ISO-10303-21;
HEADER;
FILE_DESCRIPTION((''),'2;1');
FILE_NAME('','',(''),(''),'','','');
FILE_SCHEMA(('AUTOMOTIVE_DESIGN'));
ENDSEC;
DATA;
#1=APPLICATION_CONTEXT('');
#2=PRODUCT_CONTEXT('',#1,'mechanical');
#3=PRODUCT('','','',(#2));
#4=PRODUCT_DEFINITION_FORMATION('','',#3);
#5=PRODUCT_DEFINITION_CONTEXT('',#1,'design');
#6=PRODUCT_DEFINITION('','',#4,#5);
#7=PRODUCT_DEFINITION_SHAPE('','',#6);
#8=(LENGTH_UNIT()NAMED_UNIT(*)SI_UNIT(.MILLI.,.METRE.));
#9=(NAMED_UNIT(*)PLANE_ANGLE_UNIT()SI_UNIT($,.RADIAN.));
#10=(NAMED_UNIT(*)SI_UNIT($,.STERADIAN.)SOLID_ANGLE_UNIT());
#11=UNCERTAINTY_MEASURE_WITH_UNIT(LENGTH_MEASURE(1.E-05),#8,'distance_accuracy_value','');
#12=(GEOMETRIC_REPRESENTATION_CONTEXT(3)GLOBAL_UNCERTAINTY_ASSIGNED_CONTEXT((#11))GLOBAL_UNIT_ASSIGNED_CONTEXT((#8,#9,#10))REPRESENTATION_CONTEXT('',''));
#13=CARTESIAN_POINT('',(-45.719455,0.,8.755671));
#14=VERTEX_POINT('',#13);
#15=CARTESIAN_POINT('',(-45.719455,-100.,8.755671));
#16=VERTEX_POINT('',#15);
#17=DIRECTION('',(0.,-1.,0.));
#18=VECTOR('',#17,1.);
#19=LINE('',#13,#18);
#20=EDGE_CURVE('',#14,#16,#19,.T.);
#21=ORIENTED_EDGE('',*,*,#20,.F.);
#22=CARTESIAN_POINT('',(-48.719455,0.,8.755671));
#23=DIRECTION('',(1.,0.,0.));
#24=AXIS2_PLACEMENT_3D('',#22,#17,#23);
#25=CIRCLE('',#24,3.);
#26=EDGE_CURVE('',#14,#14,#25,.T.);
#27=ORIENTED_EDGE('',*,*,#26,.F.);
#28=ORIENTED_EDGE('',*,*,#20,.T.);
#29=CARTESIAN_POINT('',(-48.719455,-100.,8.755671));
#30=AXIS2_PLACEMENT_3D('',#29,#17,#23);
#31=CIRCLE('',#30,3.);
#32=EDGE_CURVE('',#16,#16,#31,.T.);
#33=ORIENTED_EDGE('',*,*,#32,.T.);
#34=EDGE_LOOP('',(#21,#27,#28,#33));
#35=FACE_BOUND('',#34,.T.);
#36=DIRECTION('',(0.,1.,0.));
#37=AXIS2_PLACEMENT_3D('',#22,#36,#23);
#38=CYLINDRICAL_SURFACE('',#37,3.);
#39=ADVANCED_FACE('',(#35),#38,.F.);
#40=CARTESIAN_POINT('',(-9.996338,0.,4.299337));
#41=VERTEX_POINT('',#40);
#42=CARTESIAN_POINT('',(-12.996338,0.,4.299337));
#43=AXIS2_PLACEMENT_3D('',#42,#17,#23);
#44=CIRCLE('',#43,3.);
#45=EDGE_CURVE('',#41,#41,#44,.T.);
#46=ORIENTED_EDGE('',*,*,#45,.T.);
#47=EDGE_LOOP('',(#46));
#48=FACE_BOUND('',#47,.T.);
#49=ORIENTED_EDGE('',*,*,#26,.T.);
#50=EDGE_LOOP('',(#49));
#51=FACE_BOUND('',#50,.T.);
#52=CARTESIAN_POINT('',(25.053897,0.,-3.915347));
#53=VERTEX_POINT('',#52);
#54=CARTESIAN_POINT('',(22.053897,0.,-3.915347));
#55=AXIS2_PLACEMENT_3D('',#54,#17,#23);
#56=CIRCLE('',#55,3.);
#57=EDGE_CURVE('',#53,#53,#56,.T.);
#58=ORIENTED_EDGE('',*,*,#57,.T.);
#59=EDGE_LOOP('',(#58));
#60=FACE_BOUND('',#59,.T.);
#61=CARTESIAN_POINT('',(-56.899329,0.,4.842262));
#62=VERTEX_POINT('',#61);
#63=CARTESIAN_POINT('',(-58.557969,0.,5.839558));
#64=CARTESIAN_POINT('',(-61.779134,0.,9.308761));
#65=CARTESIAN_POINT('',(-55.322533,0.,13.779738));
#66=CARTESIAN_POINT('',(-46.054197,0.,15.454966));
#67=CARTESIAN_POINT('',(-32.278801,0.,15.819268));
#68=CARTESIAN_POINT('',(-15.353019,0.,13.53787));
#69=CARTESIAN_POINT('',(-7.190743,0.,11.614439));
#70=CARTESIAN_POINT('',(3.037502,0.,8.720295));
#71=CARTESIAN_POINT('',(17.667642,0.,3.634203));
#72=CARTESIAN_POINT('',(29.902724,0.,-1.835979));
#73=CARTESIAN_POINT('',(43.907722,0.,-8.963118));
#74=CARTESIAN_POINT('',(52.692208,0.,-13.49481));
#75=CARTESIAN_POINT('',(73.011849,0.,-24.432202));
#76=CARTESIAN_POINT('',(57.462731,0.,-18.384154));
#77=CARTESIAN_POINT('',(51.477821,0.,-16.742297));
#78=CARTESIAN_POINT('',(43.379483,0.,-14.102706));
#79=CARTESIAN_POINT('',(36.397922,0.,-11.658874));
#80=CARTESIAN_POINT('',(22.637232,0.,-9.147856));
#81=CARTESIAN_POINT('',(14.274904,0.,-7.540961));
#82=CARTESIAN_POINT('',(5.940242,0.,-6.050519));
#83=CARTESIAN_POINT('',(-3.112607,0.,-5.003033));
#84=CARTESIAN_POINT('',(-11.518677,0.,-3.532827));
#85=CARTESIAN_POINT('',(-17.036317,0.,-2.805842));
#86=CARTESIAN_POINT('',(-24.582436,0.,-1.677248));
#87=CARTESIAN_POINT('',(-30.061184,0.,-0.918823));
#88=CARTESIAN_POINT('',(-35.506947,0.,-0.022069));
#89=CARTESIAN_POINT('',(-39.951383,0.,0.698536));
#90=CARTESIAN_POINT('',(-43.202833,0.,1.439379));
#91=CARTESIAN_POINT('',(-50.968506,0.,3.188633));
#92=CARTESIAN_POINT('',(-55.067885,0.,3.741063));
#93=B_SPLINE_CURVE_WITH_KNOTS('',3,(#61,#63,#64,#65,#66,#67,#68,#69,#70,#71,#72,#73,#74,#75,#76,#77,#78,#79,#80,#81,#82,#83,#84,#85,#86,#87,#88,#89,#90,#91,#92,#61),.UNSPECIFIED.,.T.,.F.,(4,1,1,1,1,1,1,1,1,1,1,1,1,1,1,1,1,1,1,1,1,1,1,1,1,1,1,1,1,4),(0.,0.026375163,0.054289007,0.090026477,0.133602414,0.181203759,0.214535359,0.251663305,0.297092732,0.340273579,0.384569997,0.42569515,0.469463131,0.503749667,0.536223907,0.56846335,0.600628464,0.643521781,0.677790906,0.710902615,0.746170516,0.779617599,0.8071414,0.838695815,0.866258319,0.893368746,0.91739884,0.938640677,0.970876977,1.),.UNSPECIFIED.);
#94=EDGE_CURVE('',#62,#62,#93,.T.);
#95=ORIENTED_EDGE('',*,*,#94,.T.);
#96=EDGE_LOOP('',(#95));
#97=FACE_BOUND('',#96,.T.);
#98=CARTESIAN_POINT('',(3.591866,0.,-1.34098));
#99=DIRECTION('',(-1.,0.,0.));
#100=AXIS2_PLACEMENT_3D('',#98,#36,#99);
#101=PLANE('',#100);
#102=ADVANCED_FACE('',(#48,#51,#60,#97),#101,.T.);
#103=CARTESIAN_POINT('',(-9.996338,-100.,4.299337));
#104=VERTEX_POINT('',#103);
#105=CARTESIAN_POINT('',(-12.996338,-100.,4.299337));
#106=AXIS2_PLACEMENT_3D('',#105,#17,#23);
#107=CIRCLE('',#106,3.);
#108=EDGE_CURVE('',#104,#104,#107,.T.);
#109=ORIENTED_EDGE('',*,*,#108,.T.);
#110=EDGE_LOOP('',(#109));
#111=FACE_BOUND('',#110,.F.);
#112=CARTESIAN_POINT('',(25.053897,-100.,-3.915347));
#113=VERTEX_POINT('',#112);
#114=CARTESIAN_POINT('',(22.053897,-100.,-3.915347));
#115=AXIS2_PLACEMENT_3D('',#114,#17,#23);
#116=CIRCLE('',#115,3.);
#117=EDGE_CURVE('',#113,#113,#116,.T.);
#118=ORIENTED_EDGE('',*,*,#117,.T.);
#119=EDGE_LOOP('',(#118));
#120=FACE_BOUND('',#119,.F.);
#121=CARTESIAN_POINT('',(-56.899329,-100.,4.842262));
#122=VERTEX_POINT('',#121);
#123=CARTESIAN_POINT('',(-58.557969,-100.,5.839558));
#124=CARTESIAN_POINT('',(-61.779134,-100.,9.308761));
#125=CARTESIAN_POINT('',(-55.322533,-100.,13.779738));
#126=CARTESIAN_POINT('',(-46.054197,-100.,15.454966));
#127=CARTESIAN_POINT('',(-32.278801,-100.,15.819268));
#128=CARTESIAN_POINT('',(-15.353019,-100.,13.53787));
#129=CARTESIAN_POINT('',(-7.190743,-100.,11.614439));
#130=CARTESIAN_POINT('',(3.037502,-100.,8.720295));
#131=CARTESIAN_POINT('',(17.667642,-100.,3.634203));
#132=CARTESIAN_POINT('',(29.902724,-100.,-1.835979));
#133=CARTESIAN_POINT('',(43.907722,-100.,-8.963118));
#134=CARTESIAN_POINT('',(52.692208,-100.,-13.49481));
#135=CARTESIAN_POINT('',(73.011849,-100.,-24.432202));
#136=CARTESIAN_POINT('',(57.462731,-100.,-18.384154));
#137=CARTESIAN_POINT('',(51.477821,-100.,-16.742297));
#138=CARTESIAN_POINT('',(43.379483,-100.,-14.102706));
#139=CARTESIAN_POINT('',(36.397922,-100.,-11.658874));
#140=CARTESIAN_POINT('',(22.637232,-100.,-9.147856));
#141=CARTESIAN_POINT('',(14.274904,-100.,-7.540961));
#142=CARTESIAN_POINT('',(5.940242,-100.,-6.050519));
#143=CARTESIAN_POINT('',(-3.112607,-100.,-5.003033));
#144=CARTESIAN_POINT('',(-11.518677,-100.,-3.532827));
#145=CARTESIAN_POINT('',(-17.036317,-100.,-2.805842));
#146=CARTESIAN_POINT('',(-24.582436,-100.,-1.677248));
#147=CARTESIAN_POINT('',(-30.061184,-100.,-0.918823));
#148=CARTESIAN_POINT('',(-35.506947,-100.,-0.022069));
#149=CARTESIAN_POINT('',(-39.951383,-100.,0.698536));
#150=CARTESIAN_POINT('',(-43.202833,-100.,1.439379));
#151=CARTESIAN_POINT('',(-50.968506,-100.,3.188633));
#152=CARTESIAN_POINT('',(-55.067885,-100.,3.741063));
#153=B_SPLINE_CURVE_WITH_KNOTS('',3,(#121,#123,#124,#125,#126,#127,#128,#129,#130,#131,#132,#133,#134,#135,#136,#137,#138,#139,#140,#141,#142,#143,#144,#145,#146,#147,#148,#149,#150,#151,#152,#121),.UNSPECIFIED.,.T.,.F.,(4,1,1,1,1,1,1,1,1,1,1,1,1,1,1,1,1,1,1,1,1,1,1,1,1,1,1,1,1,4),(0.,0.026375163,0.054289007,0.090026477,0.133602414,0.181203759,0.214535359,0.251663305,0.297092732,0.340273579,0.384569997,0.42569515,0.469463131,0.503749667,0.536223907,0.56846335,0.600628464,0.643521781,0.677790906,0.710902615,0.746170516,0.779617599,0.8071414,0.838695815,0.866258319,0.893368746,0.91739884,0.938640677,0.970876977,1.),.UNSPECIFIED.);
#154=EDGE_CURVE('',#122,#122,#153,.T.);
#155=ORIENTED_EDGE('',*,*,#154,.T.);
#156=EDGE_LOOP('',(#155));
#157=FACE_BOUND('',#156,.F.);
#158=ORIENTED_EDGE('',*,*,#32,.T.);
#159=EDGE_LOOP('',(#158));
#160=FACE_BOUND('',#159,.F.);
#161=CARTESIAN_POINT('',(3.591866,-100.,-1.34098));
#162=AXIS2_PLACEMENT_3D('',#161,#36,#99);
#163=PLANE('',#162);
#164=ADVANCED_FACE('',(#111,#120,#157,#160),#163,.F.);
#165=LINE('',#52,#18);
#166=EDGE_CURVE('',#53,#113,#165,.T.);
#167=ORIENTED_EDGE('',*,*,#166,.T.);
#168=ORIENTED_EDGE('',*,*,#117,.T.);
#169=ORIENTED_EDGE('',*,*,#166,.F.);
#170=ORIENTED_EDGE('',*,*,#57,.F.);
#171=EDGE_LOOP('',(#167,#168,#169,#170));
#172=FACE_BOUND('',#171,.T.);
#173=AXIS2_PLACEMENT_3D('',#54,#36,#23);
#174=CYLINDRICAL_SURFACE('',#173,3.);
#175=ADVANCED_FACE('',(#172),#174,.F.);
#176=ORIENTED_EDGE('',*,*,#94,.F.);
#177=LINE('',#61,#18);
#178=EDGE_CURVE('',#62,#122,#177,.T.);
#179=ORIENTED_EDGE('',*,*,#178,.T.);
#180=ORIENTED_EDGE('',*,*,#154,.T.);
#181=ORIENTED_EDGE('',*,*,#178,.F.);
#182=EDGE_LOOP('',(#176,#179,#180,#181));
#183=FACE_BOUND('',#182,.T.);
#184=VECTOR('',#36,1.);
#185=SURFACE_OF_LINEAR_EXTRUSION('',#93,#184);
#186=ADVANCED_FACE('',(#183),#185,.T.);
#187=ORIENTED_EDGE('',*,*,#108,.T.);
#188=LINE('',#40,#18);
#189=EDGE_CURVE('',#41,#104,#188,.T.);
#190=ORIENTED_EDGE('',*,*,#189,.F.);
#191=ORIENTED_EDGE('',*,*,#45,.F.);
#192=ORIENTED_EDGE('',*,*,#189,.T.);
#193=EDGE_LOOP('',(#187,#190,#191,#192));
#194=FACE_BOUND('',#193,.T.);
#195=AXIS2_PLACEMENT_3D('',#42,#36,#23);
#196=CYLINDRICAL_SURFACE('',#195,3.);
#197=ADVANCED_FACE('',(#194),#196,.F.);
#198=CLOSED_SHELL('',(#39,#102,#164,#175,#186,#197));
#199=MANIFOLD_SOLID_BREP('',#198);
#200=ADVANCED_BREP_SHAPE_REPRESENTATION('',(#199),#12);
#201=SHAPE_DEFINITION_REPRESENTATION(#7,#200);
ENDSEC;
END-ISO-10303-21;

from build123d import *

# Parameters (mm, degrees)
F0_R     = 3
F1_DEPTH = 100


with BuildPart() as f1:
    # F0 (on Front) → F1 (new body)
    with BuildSketch(Plane.XZ):
        with BuildLine():
            add(Edge.make_bspline(
                [(-56.8993287912, 4.842261908), (-58.5579691554, 5.8395583901), (-61.7791339361, 9.3087613546), (-55.3225329065, 13.7797380365), (-46.054197157, 15.4549660632), (-32.2788006176, 15.8192680435), (-15.3530194617, 13.537869803), (-7.190743266, 11.6144385121), (3.0375024412, 8.7202952054), (17.6676420712, 3.6342027523), (29.9027241843, -1.8359792886), (43.9077217976, -8.9631179759), (52.6922075442, -13.4948104243), (73.0118491312, -24.4322018356), (57.4627314508, -18.3841542212), (51.4778206472, -16.7422973784), (43.3794828756, -14.1027064943), (36.3979223538, -11.6588735641), (22.6372321178, -9.1478556212), (14.2749042305, -7.5409613957), (5.9402424653, -6.0505186238), (-3.1126067639, -5.0030325906), (-11.5186767713, -3.5328269732), (-17.0363167261, -2.8058424989), (-24.5824357815, -1.6772478232), (-30.0611839915, -0.9188229164), (-35.5069469002, -0.0220692522), (-39.9513834471, 0.6985363531), (-43.2028334064, 1.4393787239), (-50.9685060835, 3.1886326789), (-55.0678853104, 3.7410634928), (-56.8993287912, 4.842261908)],
                knots=[0, 0, 0, 0, 0.0263751634, 0.0542890073, 0.090026477, 0.133602414, 0.181203759, 0.2145353595, 0.2516633047, 0.2970927324, 0.3402735786, 0.3845699969, 0.4256951504, 0.4694631313, 0.5037496667, 0.5362239069, 0.5684633497, 0.6006284645, 0.6435217806, 0.677790906, 0.7109026147, 0.7461705158, 0.7796175992, 0.8071414001, 0.838695815, 0.8662583187, 0.8933687455, 0.9173988399, 0.938640677, 0.9708769773, 1, 1, 1, 1], degree=3))
        make_face()
        with Locations((-12.9963375039, 4.299337386)):
            Circle(F0_R, mode=Mode.SUBTRACT)
        with Locations((-48.7194545567, 8.7556708604)):
            Circle(F0_R, mode=Mode.SUBTRACT)
        with Locations((22.0538973808, -3.9153466932)):
            Circle(F0_R, mode=Mode.SUBTRACT)
    extrude(amount=F1_DEPTH)


solid = f1.part
